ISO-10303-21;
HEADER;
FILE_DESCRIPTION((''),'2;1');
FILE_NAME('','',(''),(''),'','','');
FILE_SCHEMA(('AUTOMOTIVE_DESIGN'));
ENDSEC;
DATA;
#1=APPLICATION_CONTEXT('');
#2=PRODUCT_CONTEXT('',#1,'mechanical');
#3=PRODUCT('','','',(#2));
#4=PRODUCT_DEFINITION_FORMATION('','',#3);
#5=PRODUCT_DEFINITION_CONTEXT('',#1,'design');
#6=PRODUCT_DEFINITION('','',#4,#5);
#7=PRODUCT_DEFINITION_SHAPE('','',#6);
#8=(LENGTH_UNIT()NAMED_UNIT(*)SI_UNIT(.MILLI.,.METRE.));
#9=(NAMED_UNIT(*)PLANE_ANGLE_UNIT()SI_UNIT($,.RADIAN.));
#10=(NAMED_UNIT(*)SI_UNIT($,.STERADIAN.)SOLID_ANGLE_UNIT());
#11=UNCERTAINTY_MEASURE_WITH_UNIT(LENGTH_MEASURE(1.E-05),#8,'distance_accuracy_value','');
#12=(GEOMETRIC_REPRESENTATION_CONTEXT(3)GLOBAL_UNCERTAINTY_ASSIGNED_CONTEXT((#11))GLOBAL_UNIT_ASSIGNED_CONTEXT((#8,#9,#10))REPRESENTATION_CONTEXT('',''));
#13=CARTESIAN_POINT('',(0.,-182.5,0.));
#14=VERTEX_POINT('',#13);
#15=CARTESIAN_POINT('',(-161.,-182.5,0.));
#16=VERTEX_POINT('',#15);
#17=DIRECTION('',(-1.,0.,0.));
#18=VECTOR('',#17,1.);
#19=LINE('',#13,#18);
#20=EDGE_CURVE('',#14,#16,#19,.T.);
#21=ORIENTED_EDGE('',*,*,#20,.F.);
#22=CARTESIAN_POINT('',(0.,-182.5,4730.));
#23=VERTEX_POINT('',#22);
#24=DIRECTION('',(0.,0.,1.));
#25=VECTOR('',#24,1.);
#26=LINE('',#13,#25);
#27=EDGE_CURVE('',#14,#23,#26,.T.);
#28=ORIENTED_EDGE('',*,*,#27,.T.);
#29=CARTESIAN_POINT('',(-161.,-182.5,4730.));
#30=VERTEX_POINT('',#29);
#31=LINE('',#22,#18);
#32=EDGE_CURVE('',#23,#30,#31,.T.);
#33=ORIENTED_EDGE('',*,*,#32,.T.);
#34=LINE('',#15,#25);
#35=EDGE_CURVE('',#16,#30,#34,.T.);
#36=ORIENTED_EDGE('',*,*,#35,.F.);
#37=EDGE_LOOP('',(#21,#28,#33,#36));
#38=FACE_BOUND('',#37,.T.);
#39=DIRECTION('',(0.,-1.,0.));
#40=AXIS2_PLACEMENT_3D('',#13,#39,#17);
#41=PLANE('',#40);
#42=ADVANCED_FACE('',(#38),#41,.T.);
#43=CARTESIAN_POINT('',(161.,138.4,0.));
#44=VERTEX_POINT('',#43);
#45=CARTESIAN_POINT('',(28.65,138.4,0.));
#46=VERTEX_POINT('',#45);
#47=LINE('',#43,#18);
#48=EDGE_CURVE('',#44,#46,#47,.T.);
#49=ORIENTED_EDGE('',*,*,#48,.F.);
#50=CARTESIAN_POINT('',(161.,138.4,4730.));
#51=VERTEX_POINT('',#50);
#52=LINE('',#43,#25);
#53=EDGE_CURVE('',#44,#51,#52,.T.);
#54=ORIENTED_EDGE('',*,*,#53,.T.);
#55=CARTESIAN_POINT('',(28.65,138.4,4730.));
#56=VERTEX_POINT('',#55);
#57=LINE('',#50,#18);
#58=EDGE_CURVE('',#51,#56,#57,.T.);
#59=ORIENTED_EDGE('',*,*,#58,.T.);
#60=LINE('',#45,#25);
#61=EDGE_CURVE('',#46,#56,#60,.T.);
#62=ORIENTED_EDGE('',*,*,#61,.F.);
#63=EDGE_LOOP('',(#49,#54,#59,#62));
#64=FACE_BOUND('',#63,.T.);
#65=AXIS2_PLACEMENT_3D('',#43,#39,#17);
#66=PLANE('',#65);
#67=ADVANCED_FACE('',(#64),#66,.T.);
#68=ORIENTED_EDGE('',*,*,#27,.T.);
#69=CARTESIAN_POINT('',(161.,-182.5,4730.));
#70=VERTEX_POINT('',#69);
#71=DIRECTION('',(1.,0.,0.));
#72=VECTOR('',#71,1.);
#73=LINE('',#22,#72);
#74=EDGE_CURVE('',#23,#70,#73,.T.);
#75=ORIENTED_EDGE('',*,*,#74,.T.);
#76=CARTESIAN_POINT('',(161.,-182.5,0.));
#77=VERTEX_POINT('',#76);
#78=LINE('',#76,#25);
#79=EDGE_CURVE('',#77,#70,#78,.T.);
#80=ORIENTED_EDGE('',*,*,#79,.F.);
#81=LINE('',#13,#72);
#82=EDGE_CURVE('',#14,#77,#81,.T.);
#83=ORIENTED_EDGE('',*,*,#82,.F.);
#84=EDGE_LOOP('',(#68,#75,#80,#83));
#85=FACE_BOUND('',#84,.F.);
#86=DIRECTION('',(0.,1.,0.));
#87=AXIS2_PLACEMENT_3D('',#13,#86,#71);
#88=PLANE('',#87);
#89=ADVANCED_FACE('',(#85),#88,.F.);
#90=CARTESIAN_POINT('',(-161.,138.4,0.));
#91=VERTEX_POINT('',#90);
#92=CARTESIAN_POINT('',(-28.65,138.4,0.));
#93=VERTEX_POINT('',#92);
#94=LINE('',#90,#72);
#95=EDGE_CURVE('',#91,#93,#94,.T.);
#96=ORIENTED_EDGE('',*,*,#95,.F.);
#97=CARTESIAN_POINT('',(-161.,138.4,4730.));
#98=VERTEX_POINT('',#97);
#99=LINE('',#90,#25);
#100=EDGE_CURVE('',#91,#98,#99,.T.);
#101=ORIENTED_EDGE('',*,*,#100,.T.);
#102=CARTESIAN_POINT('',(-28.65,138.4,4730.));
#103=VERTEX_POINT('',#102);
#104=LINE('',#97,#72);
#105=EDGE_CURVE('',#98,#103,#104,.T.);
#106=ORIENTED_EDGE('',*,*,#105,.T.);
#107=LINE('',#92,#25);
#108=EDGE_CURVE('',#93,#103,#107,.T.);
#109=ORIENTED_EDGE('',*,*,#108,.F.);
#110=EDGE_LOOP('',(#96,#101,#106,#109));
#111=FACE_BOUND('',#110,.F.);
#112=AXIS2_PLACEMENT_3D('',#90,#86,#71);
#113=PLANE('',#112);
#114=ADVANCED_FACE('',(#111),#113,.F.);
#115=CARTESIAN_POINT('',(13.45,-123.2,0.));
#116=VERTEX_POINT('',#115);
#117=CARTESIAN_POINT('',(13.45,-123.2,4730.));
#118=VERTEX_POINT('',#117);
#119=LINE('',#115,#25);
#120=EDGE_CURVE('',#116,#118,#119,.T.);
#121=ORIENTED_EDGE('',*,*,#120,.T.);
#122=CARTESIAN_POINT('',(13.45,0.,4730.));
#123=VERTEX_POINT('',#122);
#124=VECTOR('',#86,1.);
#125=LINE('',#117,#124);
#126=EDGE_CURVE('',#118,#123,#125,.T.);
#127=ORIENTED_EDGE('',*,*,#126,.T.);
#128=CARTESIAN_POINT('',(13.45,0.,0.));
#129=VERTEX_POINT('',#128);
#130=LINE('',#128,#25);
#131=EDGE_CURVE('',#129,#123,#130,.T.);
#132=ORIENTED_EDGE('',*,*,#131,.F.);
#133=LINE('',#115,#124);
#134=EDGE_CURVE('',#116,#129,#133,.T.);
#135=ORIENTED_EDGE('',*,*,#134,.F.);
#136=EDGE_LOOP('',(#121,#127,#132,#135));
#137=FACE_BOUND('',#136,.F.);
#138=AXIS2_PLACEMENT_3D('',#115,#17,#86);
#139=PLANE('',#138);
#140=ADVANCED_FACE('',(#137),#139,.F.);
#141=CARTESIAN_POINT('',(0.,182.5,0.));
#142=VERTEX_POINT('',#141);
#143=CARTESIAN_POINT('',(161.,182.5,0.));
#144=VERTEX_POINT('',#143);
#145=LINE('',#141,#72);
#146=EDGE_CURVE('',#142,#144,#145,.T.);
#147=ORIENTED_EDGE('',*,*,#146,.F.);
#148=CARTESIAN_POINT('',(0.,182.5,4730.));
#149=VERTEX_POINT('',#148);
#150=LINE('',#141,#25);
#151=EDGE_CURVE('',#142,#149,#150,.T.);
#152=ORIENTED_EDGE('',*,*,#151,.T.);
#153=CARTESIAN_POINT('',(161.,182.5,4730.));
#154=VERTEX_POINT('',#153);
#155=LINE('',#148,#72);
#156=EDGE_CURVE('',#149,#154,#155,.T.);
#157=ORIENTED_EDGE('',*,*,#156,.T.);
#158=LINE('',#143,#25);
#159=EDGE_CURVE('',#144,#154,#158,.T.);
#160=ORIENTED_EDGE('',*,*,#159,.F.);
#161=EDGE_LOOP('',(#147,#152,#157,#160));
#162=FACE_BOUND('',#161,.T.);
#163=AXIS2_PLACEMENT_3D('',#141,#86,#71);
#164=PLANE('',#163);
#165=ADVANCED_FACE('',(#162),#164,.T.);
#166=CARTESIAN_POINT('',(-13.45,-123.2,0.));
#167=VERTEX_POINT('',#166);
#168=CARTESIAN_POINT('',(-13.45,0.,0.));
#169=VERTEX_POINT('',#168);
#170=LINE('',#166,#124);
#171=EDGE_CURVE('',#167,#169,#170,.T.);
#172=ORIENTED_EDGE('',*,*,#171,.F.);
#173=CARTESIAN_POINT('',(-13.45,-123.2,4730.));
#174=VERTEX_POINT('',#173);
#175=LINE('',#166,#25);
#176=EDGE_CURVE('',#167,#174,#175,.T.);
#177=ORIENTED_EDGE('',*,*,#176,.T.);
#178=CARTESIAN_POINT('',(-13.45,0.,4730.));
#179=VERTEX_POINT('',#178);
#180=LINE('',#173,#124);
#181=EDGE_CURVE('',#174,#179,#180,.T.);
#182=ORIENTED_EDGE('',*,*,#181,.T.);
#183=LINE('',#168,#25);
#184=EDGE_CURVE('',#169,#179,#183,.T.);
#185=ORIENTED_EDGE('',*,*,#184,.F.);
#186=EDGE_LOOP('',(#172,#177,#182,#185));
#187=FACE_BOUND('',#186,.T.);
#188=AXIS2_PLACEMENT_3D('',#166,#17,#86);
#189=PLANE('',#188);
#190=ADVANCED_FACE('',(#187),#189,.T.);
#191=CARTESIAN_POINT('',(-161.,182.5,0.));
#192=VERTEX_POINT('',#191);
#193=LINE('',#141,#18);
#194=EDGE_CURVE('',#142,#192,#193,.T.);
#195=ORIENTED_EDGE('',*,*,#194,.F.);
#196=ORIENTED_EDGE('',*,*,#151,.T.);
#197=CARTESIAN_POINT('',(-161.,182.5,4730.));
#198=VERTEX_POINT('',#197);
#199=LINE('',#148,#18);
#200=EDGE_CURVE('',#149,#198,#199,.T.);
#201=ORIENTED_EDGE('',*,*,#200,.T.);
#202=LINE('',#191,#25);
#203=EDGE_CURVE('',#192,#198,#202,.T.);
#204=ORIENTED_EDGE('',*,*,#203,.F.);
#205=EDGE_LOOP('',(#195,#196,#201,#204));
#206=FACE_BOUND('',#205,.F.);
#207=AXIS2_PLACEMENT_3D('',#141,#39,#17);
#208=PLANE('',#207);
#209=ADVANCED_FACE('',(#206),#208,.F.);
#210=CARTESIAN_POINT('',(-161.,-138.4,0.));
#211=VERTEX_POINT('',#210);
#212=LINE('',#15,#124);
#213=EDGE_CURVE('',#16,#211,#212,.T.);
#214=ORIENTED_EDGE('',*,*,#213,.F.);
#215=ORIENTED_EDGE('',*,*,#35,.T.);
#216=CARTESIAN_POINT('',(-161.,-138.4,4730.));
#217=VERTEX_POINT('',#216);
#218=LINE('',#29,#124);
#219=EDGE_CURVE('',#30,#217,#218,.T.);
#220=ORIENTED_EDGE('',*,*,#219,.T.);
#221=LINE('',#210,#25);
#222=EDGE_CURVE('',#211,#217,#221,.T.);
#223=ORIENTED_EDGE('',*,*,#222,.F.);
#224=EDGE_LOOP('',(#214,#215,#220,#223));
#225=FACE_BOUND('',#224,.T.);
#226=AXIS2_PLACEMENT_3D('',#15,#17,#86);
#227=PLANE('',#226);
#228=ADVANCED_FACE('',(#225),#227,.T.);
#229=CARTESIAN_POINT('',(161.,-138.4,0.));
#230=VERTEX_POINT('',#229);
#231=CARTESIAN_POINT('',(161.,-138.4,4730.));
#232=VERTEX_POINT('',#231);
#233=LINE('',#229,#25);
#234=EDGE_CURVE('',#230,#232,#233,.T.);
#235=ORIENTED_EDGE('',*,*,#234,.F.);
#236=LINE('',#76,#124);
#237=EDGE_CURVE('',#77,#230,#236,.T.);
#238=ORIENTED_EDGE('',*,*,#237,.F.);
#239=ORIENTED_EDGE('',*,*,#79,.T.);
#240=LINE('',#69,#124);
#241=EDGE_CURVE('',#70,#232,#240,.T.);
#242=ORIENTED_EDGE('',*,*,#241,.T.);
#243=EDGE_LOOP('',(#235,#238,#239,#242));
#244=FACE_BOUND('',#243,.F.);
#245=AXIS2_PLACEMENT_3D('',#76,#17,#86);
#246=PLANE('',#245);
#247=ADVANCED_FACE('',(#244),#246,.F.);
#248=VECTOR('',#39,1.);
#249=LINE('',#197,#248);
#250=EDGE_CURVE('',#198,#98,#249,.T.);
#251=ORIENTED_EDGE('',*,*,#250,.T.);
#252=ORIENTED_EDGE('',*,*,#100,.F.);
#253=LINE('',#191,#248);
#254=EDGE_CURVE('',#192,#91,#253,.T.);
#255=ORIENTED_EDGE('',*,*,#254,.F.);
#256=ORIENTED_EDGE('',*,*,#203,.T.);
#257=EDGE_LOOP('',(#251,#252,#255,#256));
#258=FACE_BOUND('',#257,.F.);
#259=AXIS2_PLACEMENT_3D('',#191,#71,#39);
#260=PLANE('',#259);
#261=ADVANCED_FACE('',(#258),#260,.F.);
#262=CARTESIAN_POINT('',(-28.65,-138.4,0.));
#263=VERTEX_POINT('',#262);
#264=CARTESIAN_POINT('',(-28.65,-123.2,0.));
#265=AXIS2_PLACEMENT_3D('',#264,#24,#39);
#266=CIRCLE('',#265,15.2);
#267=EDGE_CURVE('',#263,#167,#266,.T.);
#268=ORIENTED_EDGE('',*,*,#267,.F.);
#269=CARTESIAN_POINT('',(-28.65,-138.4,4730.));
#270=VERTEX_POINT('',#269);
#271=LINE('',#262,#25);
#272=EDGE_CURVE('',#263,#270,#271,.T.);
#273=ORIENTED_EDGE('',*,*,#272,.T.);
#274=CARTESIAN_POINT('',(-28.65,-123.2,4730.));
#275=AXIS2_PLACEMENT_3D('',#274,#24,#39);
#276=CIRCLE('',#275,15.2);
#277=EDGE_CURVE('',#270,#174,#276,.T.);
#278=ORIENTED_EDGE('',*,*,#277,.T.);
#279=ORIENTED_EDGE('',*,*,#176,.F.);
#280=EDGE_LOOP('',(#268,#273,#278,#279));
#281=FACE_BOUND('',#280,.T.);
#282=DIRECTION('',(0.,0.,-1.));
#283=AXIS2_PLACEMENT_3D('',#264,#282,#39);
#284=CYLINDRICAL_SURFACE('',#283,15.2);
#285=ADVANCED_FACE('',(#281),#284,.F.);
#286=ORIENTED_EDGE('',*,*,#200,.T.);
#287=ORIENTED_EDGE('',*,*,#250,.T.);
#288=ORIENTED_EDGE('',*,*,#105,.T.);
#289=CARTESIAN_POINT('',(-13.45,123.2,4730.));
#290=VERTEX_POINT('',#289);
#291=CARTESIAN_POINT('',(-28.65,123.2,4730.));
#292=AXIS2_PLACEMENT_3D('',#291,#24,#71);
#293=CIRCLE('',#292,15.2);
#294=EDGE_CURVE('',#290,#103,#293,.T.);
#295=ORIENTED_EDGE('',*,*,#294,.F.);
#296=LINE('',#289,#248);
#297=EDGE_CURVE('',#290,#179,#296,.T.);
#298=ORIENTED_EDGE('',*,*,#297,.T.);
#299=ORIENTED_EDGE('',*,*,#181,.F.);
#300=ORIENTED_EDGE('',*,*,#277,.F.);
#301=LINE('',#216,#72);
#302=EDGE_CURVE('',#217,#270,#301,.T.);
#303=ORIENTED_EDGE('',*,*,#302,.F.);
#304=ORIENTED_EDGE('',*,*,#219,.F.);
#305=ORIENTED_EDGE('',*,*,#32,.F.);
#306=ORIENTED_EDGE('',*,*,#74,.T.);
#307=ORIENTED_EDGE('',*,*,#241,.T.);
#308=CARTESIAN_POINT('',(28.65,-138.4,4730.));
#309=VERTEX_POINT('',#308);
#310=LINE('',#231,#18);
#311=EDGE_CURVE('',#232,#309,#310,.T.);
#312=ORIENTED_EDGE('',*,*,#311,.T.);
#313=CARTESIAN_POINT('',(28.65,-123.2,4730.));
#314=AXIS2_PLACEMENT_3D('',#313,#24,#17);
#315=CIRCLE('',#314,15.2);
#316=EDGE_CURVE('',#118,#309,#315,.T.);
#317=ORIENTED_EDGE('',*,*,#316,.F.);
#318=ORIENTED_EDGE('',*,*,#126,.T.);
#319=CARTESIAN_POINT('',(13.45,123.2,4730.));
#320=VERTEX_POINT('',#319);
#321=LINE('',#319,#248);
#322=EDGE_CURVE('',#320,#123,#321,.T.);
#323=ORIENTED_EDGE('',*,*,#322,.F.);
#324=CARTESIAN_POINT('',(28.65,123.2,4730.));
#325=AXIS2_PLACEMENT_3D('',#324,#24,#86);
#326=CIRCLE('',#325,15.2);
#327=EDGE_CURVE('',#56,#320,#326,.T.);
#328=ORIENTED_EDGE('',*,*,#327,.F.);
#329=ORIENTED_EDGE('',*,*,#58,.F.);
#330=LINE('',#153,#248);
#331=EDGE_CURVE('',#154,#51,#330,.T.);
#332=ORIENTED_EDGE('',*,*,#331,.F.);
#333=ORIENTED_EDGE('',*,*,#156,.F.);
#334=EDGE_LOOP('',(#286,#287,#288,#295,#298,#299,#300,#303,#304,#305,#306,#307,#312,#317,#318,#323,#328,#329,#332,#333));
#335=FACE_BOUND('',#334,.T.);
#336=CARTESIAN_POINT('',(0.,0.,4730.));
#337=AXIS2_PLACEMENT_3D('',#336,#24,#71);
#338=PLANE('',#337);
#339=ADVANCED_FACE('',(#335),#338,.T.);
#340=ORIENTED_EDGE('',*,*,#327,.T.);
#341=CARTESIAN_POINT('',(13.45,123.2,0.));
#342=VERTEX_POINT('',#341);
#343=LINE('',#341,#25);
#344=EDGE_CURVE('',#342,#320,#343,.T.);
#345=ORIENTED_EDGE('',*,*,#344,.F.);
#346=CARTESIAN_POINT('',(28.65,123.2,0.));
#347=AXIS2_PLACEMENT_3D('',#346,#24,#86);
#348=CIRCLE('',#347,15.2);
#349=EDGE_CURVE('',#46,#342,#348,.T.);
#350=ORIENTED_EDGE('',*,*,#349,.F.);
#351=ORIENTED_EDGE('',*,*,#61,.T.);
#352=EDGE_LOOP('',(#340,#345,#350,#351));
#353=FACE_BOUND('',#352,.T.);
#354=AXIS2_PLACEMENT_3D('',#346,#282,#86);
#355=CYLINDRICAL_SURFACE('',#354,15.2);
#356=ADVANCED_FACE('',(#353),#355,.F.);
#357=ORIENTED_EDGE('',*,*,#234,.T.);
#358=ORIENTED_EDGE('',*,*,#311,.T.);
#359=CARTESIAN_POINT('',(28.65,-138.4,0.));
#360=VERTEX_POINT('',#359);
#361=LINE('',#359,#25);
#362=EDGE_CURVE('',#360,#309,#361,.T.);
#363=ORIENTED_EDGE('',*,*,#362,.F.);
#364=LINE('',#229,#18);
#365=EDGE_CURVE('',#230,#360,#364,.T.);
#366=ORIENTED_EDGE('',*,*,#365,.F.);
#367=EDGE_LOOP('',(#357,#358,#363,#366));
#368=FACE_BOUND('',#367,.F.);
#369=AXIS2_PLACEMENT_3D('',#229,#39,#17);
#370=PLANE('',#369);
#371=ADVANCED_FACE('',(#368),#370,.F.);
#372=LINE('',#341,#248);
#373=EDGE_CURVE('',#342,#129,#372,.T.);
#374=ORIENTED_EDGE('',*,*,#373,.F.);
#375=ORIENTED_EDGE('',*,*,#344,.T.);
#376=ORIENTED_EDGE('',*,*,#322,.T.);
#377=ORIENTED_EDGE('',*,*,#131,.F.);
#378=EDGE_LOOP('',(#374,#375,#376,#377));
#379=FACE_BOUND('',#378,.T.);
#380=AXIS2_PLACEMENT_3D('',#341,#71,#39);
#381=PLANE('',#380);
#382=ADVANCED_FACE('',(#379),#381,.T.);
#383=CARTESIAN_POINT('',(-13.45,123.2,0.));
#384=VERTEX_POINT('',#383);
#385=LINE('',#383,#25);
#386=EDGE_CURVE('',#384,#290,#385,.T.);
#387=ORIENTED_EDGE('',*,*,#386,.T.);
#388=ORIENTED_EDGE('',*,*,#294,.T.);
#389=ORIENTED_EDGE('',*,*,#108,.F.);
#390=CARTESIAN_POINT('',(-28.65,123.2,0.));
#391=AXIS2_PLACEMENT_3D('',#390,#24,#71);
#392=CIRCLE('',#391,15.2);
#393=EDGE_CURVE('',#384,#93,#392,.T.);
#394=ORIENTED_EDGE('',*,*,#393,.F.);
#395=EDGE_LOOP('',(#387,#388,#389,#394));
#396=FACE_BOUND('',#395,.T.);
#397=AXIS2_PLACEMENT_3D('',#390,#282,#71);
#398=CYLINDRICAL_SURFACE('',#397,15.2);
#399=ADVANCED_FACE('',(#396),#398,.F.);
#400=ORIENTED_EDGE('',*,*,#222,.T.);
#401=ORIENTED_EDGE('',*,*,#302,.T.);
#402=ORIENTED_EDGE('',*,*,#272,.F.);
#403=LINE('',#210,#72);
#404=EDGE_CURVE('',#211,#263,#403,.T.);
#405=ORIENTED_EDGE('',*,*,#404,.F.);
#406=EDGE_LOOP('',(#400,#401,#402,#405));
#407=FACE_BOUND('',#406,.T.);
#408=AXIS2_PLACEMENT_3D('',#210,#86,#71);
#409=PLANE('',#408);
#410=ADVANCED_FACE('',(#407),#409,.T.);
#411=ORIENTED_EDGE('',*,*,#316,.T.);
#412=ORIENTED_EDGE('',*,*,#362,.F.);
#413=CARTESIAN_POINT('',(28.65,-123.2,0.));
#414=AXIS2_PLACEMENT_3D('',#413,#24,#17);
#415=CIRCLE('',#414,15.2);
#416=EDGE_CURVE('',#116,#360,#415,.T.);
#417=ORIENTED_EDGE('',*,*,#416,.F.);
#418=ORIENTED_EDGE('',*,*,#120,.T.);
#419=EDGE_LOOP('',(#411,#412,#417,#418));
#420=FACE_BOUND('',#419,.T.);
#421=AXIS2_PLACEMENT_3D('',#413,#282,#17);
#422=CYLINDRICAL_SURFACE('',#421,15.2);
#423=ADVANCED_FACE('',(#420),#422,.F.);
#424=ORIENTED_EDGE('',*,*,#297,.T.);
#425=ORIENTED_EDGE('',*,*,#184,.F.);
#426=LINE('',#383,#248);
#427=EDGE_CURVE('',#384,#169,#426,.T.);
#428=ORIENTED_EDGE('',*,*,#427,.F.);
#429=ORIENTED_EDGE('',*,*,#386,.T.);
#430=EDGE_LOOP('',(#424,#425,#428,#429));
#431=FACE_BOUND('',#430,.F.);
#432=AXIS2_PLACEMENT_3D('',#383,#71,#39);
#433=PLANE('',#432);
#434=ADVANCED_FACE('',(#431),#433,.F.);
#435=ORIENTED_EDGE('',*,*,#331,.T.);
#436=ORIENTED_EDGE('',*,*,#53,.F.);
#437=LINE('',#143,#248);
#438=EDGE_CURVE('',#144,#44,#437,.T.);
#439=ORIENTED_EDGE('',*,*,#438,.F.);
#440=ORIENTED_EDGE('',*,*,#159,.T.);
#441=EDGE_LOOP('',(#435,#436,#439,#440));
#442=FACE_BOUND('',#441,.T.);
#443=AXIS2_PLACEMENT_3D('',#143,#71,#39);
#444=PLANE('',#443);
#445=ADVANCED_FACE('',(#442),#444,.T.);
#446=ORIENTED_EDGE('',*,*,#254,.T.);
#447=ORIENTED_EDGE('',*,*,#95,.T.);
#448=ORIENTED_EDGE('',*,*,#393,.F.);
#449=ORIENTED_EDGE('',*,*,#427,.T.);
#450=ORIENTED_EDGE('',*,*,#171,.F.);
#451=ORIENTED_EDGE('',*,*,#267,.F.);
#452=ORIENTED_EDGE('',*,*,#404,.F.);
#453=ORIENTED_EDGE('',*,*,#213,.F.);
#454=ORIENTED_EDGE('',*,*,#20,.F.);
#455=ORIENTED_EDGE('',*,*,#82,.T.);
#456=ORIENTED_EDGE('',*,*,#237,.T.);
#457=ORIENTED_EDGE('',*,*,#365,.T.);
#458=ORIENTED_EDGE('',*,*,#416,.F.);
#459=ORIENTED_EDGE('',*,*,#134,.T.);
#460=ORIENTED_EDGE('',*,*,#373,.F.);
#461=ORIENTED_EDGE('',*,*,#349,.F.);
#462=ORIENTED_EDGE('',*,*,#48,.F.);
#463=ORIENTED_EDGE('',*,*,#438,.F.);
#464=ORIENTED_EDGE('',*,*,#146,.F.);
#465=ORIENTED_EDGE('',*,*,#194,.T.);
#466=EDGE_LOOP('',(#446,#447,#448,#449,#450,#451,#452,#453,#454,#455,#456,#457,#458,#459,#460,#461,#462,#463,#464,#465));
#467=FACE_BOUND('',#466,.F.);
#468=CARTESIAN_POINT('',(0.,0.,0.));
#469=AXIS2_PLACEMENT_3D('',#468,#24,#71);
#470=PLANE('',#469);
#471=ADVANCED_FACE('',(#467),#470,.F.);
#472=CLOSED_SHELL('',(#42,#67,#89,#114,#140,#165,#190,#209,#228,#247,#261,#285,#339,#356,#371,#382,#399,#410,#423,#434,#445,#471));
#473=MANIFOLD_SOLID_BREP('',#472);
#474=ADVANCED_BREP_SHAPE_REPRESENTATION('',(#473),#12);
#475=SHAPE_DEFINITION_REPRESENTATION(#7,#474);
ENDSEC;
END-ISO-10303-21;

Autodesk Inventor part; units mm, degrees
ref_plane "YZ Plane" through (0, 0, 0) normal (1, 0, 0) x (0, 1, 0)
ref_plane "Start plane" through (0, 0, 0) normal (0, 0, 1) x (1, 0, 0)
ref_plane "End plane" through (0, 0, 4730) normal (0, 0, 1) x (1, 0, 0)
sketch "Sketch" plane through (0, 0, 0) normal (0, 0, 1) x (1, 0, 0)
  line L0 (-161, -182.5) -> (-161, -138.4)
  line L1 (-161, -138.4) -> (-28.65, -138.4)
  line L2 (-13.45, -123.2) -> (-13.45, 0)
  line L3 (-13.45, 0) -> (0, 0) construction
  line L4 (0, 0) -> (0, -182.5) construction
  line L5 (0, -182.5) -> (-161, -182.5)
  line L6 (-60, 0) -> (80, 0) construction
  line L7 (0, -60) -> (0, 80) construction
  line L8 (161, -182.5) -> (161, -138.4)
  line L9 (161, -138.4) -> (28.65, -138.4)
  line L10 (13.45, -123.2) -> (13.45, 0)
  line L11 (13.45, 0) -> (0, 0) construction
  line L12 (0, -182.5) -> (161, -182.5)
  line L13 (-161, 182.5) -> (-161, 138.4)
  line L14 (-161, 138.4) -> (-28.65, 138.4)
  line L15 (-13.45, 123.2) -> (-13.45, 0)
  line L16 (0, 182.5) -> (-161, 182.5)
  line L17 (161, 182.5) -> (161, 138.4)
  line L18 (161, 138.4) -> (28.65, 138.4)
  line L19 (0, 182.5) -> (161, 182.5)
  line L20 (13.45, 123.2) -> (13.45, 0)
  arc A0 (-13.45, 123.2) -> (-28.65, 138.4) centre (-28.65, 123.2) ccw
  arc A1 (28.65, 138.4) -> (13.45, 123.2) centre (28.65, 123.2) ccw
  arc A2 (13.45, -123.2) -> (28.65, -138.4) centre (28.65, -123.2) ccw
  arc A3 (-28.65, -138.4) -> (-13.45, -123.2) centre (-28.65, -123.2) ccw
  line L21 (0, 108) -> (0, -88) construction
  line L22 (-88, 0) -> (108, 0) construction
  point P0 (-13.45, -138.4)
  point P1 (13.45, -138.4)
  point P2 (-13.45, 138.4)
  point P3 (13.45, 138.4)
  dimension "d1" = 182.5
  dimension "d2" = 44.1
  dimension "d3" = 161
  dimension "d4" = 13.45
  dimension "d10" = 15.2
extrude "Body" add sketch "Sketch" along normal up to surface (4730 mm away) from surface at 0
sketch "Sketch4" plane through (0, 0, 0) normal (0, 0, 1) x (1, 0, 0)
  line L0 (0, 0) -> (10, 0)
ref_plane "Work Plane3" through (0, 0, 0) normal (0, -1, 0) x (1, 0, 0)
sketch "Sketch5" plane through (0, 0, 0) normal (0, -1, 0) x (1, 0, 0)
  line L0 (-2, 0) -> (12, 0) projected
  line L1 (-2, 4730) -> (12, 4730) projected
  dimension "d14" = 4730
equation "\"d1\" = 0.5 * G_H"
equation "\"d2\" = G_T1"
equation "\"d3\" = 0.5 * G_W"
equation "\"d4\" = 0.5 * G_T"
equation "\"d10\" = G_IR"
equation "\"d5\" = G_L"
equation "\"G_W\" = 322"
equation "\"G_H\" = 365"
equation "\"G_T\" = 26.9"
equation "\"G_T1\" = 44.1"
equation "\"G_IR\" = 15.2"
equation "\"G_L\" = d14"
equation "\"G_OFFSET_START\" = 0"
equation "\"G_OFFSET_END\" = 0"
properties part number "AS 3679 - 310 UC - 283 - 4730" material "Steel, Mild"
